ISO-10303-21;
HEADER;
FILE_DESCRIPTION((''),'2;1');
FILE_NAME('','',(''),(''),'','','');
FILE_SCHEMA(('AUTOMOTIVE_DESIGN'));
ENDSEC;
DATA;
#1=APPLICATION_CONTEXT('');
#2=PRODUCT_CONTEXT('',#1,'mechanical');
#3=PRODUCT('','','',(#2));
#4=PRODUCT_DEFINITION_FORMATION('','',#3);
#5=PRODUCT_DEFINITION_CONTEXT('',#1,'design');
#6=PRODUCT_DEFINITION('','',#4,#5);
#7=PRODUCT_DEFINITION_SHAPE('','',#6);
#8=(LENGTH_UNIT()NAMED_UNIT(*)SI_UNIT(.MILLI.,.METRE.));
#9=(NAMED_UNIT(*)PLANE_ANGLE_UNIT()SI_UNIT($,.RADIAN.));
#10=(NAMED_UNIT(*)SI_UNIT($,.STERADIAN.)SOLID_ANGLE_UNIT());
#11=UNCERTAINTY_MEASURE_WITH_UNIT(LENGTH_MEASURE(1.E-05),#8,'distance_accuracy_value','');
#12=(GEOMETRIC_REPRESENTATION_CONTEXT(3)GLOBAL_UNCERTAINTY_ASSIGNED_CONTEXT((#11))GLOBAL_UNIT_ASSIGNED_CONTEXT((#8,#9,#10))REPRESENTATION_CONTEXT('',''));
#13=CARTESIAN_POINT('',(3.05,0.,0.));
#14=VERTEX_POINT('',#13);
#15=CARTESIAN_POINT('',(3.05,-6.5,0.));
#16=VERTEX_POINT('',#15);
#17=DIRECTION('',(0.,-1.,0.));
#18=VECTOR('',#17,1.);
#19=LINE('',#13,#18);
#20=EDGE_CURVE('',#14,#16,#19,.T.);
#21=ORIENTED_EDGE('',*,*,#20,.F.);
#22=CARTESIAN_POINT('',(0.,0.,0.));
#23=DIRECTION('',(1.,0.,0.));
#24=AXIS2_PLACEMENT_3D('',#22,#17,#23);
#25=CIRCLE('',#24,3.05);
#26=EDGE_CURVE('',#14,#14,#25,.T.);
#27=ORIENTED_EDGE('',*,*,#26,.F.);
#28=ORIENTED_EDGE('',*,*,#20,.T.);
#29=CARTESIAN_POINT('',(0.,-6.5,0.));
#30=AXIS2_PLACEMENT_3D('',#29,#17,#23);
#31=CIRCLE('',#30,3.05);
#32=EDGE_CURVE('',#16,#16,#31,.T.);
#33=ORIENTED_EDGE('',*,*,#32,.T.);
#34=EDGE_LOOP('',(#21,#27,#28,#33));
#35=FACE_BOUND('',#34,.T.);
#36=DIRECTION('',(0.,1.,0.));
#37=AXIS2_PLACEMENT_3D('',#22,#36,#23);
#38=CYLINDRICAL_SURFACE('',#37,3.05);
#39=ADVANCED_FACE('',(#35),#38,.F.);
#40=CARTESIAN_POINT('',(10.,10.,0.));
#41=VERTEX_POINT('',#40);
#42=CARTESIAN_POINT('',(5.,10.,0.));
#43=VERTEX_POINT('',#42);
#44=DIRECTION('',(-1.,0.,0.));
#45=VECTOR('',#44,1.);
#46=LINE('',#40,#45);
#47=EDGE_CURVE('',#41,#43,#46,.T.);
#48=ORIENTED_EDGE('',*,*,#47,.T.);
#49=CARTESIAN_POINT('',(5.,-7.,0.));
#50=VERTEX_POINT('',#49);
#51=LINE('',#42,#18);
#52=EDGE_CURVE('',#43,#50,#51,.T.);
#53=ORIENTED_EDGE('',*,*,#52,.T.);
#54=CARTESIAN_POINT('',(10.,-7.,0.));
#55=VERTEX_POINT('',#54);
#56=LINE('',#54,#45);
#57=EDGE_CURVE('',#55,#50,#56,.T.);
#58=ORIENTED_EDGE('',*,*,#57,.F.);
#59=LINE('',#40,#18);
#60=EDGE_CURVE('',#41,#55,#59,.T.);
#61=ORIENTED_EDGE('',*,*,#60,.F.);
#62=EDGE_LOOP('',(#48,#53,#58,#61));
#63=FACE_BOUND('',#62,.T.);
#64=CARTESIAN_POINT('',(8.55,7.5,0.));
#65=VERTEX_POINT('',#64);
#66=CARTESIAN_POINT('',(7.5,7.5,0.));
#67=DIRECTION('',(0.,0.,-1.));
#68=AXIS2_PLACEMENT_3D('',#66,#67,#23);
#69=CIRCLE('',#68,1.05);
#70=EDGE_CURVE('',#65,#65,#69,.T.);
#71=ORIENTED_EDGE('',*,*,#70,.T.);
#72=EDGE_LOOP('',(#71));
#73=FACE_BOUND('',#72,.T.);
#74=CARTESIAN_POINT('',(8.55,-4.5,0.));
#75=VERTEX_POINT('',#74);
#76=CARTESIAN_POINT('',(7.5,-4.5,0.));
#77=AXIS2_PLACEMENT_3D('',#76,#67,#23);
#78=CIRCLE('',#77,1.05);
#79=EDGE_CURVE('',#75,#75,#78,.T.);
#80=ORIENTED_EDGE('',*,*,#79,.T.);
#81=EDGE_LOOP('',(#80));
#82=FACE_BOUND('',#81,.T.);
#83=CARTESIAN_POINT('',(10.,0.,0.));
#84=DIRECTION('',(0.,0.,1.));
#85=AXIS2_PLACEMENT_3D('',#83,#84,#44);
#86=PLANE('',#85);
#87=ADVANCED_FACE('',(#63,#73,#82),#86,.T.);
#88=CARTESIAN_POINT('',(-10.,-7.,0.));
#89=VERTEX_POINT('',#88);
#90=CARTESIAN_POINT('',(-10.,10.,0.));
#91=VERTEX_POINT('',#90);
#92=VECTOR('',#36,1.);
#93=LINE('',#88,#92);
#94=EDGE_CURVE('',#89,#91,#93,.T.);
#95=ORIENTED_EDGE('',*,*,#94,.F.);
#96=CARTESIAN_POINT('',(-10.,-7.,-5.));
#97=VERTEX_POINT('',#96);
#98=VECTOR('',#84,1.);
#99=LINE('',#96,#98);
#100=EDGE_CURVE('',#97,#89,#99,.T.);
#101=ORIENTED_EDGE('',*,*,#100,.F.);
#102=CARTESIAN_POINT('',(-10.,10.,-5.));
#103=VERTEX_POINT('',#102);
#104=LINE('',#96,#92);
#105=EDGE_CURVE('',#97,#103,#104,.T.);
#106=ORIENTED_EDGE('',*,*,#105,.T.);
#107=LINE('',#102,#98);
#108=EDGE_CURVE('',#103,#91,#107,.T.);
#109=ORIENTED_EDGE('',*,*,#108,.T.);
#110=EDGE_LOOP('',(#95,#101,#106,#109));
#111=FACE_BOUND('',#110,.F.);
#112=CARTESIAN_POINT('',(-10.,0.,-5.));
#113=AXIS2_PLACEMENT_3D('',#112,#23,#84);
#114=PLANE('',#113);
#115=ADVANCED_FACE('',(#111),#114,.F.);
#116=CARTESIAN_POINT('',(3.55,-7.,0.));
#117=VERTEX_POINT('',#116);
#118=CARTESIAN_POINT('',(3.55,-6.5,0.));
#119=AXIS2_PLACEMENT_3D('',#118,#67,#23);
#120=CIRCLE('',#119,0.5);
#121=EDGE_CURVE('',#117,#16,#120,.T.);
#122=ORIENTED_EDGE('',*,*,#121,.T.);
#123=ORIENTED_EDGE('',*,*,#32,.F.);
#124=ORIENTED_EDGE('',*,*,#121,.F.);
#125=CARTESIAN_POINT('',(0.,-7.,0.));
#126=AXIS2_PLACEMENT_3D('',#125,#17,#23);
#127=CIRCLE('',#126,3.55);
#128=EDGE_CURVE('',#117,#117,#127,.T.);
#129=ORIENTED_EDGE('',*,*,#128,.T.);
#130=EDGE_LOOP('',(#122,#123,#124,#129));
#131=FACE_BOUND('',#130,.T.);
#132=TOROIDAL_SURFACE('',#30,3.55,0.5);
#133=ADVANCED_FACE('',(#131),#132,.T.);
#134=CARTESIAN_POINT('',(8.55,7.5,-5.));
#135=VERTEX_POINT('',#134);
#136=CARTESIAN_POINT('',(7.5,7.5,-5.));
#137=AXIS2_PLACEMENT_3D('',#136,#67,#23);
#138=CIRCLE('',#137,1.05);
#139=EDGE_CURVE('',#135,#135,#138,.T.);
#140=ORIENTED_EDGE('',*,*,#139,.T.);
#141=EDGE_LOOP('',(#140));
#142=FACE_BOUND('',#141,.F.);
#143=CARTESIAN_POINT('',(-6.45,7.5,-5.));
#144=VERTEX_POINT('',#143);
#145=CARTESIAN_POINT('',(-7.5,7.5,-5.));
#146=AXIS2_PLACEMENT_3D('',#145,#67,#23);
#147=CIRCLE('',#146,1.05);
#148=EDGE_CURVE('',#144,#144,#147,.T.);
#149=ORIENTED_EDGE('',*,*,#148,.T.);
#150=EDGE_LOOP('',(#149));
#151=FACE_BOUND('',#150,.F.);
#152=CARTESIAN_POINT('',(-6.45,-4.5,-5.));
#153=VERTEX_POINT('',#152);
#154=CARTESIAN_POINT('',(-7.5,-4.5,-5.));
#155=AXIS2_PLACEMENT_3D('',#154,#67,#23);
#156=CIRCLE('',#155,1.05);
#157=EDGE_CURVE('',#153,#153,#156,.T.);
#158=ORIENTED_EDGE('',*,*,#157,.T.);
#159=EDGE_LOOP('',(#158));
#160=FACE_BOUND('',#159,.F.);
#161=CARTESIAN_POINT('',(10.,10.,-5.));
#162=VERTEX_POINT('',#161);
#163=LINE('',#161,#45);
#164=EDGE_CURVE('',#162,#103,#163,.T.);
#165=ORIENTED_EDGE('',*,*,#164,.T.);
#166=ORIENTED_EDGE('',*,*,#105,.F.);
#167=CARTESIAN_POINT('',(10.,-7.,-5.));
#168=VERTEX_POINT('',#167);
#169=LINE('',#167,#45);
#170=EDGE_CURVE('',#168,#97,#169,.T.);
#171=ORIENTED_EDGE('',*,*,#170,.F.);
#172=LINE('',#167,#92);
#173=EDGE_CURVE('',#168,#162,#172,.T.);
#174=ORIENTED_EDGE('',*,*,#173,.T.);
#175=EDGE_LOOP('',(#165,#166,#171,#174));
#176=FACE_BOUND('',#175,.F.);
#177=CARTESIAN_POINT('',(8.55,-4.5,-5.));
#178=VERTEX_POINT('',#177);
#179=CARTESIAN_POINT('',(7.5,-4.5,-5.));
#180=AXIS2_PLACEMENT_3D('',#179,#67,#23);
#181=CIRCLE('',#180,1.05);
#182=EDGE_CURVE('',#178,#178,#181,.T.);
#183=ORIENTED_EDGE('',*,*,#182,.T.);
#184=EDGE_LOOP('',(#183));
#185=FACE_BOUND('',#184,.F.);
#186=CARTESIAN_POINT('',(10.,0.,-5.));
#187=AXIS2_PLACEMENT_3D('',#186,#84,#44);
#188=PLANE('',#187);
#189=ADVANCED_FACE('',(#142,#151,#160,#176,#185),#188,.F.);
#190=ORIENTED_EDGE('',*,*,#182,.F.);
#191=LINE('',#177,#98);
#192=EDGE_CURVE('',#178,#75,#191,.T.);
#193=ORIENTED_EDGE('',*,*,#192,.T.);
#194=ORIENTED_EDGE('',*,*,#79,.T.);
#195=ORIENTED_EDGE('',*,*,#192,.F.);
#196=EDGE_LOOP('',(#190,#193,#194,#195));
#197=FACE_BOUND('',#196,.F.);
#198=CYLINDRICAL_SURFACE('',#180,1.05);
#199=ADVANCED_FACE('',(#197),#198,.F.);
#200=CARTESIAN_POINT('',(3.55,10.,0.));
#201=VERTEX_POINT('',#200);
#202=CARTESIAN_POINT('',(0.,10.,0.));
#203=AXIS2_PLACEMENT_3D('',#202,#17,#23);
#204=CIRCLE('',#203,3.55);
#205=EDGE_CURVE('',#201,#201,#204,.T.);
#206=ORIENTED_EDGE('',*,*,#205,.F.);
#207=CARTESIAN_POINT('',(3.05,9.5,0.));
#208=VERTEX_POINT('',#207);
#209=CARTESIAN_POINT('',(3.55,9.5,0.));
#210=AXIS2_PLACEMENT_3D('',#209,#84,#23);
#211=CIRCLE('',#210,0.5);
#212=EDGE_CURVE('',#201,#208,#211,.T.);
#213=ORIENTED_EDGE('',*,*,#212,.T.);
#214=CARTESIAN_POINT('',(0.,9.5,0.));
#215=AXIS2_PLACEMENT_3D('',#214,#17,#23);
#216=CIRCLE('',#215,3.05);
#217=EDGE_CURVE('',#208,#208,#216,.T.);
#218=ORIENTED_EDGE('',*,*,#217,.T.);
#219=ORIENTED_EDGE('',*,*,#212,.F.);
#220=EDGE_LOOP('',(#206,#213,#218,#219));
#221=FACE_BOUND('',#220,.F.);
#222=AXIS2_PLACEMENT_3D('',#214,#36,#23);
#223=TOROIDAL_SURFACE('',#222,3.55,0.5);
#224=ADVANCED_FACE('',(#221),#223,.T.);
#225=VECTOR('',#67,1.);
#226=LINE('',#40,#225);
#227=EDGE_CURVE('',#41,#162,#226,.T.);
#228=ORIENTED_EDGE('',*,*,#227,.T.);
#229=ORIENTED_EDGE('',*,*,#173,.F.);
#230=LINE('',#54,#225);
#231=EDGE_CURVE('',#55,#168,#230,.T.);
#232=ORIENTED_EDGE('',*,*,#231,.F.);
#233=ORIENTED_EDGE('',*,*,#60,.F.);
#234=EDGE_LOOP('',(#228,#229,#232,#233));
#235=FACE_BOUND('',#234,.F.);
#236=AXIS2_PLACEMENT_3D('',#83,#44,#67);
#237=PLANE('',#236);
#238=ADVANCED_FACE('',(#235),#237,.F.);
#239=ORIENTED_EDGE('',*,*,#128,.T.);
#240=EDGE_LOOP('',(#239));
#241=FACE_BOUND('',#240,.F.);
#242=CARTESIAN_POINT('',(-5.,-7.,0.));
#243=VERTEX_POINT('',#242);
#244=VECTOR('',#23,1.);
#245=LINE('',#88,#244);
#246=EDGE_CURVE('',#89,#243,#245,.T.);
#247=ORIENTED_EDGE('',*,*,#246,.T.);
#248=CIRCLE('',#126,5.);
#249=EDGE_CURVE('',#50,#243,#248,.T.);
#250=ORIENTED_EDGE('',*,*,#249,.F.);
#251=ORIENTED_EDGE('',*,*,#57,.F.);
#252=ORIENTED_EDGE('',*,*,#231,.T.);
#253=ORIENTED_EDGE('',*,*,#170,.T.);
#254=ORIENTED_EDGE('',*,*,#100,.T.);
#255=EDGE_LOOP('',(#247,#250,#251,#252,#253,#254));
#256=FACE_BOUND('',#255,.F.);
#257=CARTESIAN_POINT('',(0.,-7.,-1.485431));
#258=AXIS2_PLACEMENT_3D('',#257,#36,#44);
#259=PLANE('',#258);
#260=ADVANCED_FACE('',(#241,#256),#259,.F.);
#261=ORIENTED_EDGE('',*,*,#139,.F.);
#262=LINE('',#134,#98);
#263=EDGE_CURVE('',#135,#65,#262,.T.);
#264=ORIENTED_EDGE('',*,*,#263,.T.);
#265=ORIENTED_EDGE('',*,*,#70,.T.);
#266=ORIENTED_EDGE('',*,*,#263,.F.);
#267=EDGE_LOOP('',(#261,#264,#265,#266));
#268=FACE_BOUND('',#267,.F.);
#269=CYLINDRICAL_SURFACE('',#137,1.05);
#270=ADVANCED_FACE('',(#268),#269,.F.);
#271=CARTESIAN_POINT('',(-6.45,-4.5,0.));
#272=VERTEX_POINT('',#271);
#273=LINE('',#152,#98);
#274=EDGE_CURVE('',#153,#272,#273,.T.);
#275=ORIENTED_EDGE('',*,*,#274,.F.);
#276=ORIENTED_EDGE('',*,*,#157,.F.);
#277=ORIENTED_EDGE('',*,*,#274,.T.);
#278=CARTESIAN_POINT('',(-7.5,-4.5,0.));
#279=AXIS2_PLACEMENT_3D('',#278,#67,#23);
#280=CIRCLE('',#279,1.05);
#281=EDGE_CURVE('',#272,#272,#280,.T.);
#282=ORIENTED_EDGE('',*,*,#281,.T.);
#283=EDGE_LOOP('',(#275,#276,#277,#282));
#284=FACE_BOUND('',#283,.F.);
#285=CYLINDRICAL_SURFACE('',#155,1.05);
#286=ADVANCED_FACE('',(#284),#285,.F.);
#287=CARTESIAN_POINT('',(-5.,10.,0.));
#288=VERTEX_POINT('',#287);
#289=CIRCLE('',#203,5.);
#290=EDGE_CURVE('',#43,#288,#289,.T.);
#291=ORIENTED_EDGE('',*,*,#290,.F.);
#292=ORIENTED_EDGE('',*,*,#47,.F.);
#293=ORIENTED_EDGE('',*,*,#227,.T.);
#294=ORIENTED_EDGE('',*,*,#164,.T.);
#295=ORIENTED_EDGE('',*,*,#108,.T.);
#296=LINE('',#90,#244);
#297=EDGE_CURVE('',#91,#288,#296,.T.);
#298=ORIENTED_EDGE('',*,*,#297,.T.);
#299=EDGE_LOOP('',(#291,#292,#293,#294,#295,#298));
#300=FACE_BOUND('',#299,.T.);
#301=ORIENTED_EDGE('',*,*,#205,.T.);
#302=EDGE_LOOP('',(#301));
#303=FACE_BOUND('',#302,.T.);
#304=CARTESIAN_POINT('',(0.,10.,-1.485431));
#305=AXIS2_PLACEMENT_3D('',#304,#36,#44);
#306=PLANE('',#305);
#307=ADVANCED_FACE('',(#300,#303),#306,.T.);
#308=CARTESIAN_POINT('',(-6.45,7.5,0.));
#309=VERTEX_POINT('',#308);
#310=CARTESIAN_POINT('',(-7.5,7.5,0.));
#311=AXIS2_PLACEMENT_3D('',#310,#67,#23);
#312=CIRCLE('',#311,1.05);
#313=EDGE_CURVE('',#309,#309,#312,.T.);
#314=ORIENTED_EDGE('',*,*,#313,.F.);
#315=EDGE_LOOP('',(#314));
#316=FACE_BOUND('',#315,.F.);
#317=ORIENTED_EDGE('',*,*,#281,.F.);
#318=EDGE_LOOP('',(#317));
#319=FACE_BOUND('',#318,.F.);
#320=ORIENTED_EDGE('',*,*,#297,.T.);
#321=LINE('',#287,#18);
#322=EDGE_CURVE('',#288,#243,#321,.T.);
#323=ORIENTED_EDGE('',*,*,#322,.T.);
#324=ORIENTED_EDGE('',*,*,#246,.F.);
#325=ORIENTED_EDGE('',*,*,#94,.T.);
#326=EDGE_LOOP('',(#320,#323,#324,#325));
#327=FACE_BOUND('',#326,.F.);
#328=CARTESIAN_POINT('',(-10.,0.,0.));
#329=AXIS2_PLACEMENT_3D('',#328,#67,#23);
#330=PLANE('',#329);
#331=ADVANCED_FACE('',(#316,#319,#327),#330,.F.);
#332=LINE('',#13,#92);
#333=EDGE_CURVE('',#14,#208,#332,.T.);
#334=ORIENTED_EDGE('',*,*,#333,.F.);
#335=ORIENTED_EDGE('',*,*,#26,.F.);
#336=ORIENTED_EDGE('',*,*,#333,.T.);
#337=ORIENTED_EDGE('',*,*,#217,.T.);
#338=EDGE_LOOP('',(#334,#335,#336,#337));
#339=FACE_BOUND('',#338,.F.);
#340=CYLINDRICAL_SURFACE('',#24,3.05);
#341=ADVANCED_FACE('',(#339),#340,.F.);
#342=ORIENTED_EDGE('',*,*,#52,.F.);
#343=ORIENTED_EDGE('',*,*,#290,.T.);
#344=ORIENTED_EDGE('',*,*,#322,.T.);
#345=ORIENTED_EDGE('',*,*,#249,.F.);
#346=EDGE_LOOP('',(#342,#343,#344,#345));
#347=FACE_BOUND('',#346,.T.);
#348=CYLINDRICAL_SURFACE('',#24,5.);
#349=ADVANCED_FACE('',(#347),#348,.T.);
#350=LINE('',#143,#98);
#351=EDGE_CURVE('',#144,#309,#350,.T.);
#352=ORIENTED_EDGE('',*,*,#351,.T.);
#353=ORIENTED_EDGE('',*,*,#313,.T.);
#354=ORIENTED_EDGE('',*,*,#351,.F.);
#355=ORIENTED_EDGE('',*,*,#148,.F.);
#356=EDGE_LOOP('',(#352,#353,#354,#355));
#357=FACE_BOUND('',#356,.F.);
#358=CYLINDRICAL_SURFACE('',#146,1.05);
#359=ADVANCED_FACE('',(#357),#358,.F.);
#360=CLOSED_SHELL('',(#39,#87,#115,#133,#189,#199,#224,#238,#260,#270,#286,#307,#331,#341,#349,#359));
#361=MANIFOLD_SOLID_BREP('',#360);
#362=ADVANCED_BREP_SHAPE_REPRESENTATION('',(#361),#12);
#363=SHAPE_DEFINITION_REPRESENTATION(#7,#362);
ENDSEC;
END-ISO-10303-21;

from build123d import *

# Parameters (mm, degrees)
SKETCH_R       = 3.05
PAD_DEPTH      = 7
PAD_DEPTH_BACK = 10
SKETCH001_R    = 1.05
POCKET_DEPTH   = 5
FILLET_R       = 0.5


with BuildPart() as part:
    # Sketch → Pad (new body, two sides)
    with BuildSketch(Plane.XZ) as pad_sk:
        with BuildLine():
            Line((10, 0), (10, -5))
            Line((10, -5), (-10, -5))
            Line((-10, -5), (-10, 0))
            Line((-10, 0), (-5, 0))
            ThreePointArc((5, 0), (0, 5), (-5, 0))
            Line((10, 0), (5, 0))
        make_face()
        Circle(SKETCH_R, mode=Mode.SUBTRACT)
    extrude(amount=PAD_DEPTH)
    extrude(pad_sk.sketch, amount=-PAD_DEPTH_BACK)

    # Sketch001 → Pocket (cut)
    with BuildSketch(Plane(origin=(0, 0, -5), x_dir=(1, 0, 0), z_dir=(0, 0, -1))):
        with Locations((-7.5, 4.5)):
            Circle(SKETCH001_R)
        with Locations((-7.5, -7.5)):
            Circle(SKETCH001_R)
        with Locations((7.5, -7.5)):
            Circle(SKETCH001_R)
        with Locations((7.5, 4.5)):
            Circle(SKETCH001_R)
    extrude(amount=-POCKET_DEPTH, mode=Mode.SUBTRACT)

    # Fillet
    fillet_edges = [part.edges().sort_by_distance(p)[0] for p in [
        (-3.05, 10, 0),
        (-3.05, -7, 0),
    ]]
    fillet(fillet_edges, radius=FILLET_R)


solid = part.part
